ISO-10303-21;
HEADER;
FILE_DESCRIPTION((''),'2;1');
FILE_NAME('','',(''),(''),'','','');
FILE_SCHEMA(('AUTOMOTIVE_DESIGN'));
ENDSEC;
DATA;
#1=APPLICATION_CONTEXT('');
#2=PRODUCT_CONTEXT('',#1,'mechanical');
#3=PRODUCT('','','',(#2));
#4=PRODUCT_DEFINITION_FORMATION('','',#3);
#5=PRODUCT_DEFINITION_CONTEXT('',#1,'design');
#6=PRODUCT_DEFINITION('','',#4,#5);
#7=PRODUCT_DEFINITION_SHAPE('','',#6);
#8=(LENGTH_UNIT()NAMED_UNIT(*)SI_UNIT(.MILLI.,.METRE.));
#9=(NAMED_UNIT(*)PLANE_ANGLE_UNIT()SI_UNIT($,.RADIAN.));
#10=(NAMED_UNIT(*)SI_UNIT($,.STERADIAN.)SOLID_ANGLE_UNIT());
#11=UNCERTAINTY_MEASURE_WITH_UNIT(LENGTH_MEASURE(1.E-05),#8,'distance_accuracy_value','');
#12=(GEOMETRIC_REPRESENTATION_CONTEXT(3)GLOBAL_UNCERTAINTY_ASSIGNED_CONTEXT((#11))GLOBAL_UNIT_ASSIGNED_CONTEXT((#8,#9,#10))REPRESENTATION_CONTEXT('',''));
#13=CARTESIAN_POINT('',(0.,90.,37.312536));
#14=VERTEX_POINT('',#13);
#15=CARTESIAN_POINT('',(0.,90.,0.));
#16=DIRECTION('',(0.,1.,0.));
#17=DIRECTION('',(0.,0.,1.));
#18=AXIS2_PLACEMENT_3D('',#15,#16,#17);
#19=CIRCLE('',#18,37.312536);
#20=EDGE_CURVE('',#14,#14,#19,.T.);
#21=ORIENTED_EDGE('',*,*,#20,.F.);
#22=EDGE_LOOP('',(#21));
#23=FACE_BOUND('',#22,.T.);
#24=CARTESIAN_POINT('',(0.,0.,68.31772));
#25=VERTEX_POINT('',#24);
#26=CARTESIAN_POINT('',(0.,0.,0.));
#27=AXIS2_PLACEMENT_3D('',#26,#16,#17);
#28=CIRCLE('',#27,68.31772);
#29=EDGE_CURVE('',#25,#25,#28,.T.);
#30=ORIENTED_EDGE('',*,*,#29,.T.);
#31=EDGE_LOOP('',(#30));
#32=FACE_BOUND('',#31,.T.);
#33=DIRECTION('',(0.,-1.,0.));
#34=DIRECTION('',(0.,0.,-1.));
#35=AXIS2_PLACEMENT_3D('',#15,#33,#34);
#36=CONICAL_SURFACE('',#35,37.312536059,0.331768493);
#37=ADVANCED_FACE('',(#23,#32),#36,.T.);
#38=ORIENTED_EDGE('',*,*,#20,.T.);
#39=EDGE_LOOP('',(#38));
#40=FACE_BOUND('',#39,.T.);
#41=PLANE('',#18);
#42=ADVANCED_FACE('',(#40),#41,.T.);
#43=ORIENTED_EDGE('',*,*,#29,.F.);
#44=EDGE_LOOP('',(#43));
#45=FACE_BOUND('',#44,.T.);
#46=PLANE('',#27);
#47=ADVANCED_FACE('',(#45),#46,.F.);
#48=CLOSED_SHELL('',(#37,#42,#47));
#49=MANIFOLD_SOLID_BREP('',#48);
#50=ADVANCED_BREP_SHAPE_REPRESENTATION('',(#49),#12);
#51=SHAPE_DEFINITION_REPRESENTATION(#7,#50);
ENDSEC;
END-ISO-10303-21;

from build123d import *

# Parameters (mm, degrees)
SKETCH2_R = 37.312536059
SKETCH1_R = 68.317720137


with BuildPart() as part:
    # Sketch2 → Loft1 section 0
    with BuildSketch(Plane(origin=(0, 90, 0), x_dir=(1, 0, 0), z_dir=(0, 1, 0))):
        Circle(SKETCH2_R)
    # Sketch1 → Loft1 section 1
    with BuildSketch(Plane(origin=(0, 0, 0), x_dir=(1, 0, 0), z_dir=(0, 1, 0))):
        Circle(SKETCH1_R)
    loft()


solid = part.part
